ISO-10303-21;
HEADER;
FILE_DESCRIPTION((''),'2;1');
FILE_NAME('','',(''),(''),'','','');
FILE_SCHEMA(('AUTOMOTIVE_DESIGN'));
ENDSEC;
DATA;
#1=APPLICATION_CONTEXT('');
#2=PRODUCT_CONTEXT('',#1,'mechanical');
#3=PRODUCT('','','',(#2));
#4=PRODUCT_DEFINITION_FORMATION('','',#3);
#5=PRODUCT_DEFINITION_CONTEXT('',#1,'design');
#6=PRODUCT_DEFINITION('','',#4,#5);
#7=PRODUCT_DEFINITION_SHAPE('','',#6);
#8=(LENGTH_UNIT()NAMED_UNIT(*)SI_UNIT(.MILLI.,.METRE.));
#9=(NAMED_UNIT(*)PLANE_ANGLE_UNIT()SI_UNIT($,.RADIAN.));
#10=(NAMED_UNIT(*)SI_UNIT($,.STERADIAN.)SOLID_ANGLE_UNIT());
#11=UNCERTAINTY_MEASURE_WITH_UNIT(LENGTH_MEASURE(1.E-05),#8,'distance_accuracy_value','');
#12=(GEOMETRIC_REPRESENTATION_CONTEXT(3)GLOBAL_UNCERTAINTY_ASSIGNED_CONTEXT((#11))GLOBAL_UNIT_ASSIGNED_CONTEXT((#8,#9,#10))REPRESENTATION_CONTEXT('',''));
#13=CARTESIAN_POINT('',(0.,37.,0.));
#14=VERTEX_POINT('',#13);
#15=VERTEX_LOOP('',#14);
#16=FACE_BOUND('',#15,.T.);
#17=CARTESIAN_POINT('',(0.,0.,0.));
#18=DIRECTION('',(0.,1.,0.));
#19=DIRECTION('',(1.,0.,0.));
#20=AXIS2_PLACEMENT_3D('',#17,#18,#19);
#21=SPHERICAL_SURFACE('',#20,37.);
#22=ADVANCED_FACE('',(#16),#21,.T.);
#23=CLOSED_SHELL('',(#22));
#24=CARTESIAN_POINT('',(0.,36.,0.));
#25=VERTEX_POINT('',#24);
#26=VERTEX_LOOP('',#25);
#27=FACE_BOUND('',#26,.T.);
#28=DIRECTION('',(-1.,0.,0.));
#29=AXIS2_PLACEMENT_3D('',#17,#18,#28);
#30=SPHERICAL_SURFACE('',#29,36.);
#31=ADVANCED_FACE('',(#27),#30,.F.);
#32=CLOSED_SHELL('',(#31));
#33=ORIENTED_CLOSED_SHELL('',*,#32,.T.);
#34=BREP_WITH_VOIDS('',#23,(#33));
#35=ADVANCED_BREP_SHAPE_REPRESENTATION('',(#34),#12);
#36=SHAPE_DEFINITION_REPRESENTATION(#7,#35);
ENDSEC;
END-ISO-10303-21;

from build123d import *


with BuildPart() as part:
    # Sketch1 → Revolve1 (revolve)
    with BuildSketch(Plane.XY):
        with BuildLine():
            Line((0, 37), (0, 36))
            ThreePointArc((0, 36), (36, 0), (0, -36))
            Line((0, -36), (0, -37))
            ThreePointArc((0, -37), (37, 0), (0, 37))
        make_face()
    revolve(axis=Axis((0, 37, 0), (0, -1, 0)))


solid = part.part
